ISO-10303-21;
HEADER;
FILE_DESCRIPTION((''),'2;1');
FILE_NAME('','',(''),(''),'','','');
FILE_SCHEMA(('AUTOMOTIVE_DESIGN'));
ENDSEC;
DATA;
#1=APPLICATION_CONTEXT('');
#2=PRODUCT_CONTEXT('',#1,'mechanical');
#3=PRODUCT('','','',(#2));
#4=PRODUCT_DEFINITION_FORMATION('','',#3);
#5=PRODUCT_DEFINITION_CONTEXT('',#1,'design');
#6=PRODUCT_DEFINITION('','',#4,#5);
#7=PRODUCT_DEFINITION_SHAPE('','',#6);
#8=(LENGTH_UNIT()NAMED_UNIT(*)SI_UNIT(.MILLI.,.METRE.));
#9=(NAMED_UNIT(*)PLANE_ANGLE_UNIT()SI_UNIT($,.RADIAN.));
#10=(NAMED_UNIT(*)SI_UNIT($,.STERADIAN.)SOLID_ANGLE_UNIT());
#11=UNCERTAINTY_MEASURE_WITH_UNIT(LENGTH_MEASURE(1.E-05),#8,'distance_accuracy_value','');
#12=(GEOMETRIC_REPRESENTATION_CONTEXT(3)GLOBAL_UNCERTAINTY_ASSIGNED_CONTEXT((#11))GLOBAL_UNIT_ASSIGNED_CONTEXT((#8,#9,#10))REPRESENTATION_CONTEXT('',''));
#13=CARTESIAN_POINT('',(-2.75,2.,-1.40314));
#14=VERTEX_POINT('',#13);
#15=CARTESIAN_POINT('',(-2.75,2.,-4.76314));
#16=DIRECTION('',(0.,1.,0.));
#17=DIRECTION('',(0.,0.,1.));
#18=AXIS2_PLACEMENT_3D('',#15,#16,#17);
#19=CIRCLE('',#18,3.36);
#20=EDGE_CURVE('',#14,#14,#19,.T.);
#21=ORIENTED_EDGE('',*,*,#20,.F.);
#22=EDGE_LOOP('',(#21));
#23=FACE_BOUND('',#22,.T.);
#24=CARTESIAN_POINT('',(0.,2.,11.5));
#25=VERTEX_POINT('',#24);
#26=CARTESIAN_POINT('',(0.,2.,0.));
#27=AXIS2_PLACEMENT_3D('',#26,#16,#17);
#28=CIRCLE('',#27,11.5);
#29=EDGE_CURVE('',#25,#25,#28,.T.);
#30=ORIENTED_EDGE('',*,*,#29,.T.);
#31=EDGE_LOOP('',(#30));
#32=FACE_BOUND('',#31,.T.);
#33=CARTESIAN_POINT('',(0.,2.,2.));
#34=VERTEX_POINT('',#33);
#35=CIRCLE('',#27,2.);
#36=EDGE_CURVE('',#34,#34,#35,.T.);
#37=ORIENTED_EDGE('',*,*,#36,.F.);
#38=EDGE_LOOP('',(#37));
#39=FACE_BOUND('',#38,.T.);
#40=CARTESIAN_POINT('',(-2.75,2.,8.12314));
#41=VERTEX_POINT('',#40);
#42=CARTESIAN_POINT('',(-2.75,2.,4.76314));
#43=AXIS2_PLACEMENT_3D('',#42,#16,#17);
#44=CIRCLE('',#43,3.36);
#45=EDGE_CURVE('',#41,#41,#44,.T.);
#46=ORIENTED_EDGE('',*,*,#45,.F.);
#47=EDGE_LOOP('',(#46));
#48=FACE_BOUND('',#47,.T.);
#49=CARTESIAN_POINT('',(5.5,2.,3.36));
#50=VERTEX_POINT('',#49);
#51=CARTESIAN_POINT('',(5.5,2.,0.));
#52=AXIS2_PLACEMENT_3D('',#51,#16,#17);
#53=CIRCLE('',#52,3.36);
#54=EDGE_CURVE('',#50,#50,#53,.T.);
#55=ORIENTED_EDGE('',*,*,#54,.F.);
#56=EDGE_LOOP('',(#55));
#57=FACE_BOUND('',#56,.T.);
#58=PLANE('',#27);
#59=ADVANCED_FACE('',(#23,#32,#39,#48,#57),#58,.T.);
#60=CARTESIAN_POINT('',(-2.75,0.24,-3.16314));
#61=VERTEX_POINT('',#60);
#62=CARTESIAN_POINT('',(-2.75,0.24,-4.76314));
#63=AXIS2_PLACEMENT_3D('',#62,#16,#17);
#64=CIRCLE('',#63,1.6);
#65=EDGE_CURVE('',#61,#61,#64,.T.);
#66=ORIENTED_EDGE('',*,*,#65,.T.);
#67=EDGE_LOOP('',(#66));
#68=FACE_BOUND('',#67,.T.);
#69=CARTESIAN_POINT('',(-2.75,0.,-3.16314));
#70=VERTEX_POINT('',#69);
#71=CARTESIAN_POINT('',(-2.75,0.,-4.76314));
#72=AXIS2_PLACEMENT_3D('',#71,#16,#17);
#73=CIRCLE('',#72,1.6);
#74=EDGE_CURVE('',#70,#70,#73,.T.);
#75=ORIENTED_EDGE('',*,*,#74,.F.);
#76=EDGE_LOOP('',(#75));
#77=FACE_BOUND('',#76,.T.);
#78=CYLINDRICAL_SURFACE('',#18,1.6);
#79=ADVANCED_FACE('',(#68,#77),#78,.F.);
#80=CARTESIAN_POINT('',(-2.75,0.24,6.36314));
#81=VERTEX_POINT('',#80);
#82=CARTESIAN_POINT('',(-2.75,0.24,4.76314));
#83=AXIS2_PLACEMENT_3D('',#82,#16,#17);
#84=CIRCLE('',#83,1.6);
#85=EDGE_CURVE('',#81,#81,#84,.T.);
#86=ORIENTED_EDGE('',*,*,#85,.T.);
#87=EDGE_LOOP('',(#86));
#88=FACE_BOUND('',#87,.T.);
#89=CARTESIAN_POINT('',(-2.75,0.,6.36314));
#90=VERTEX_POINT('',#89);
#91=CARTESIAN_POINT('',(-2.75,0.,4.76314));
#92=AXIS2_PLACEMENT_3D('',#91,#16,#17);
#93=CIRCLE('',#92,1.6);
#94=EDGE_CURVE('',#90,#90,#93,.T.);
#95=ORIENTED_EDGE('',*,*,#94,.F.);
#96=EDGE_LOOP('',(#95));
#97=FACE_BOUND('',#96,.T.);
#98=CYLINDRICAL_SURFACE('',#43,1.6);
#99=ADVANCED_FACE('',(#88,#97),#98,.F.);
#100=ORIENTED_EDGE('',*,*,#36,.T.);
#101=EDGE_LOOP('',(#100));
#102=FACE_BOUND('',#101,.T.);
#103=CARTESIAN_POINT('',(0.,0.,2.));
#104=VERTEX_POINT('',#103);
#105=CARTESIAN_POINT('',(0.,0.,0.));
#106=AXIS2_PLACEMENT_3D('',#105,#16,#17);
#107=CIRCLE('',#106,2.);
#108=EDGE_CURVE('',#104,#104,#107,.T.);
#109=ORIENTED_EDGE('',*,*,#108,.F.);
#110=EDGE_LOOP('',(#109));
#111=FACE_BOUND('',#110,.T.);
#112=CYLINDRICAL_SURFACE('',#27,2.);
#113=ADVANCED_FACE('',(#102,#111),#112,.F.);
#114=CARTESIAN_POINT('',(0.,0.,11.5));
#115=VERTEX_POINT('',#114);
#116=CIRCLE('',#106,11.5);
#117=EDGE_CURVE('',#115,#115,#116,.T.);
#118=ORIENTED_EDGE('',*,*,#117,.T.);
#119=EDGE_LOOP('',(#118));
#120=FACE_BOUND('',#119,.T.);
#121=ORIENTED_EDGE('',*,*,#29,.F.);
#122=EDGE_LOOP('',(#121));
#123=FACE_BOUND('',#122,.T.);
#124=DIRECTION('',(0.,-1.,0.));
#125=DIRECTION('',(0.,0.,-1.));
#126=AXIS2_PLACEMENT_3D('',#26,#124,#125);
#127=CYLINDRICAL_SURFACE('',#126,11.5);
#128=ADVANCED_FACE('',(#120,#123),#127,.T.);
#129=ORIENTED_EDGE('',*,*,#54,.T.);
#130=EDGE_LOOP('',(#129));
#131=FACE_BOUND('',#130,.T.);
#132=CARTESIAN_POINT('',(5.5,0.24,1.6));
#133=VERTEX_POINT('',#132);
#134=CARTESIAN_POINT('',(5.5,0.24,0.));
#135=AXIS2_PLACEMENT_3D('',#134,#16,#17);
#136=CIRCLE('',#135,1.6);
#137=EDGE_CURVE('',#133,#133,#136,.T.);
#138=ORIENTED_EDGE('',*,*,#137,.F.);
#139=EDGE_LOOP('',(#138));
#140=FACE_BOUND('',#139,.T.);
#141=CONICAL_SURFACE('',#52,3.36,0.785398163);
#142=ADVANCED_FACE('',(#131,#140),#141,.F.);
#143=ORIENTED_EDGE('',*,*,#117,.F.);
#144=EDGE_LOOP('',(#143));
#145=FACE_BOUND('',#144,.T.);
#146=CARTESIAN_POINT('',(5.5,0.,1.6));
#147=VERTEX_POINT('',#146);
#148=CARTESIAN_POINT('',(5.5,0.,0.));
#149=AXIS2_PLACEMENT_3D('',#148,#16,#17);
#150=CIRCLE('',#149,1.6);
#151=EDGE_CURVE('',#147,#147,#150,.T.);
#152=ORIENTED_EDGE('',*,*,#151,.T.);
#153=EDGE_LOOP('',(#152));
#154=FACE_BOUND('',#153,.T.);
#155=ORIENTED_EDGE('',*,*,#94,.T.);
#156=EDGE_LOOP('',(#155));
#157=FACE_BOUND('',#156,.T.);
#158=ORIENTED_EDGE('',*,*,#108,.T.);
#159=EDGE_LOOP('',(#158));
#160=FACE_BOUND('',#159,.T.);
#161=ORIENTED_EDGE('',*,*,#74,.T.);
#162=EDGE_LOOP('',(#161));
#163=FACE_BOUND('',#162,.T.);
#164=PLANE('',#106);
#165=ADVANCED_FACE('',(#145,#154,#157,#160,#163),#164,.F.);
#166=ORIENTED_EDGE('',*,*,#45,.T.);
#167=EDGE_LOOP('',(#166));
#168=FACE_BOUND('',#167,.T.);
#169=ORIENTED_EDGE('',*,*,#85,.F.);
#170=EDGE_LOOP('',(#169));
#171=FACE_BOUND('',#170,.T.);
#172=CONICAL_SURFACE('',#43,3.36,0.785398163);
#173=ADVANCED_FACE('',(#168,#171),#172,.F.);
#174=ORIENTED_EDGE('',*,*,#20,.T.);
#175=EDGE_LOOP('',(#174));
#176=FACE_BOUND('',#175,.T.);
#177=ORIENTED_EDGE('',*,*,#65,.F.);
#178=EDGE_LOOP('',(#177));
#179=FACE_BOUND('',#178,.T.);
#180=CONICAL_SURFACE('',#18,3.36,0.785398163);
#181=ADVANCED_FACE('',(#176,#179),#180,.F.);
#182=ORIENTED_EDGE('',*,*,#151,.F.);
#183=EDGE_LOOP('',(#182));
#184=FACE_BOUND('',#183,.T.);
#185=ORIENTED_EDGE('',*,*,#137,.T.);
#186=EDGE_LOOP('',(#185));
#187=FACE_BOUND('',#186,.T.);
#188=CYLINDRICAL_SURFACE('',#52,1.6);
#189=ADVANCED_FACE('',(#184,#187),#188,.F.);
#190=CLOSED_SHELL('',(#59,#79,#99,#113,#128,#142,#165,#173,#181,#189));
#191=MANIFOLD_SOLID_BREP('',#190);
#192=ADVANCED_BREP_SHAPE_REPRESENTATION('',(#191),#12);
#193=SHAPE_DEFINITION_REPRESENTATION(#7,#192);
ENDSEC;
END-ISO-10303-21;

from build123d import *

# Parameters (mm, degrees)
SKIZZE1_R                          = 11.5
AUFSATZ_LINEAR_AUSTRAGEN1_DEPTH    = 2
KREISMUSTER1_COUNT                 = 3
F_4_0_4_DURCHMESSER_BOHRUNG1_D     = 4
F_4_0_4_DURCHMESSER_BOHRUNG1_DEPTH = 2


with BuildPart() as part:
    # Skizze1 → Aufsatz-Linear austragen1 (new body)
    with BuildSketch(Plane(origin=(0, 0, 0), x_dir=(1, 0, 0), z_dir=(0, 1, 0))):
        Circle(SKIZZE1_R)
    extrude(amount=AUFSATZ_LINEAR_AUSTRAGEN1_DEPTH)

    # Skizze2 → Formsenkung für M3 Senkschraube mit Innensechskant1 (revolve, cut)
    with BuildSketch(Plane(origin=(5.5, 2, 0), x_dir=(0, 0, 1), z_dir=(1, 0, 0))):
        Polygon((0, 0), (0, 2.001), (1.6, 2.001), (1.6, 1.76), (3.36, 0), align=None)
    formsenkung_f_r_m3_senkschraube_mit_inne = revolve(axis=Axis((5.5, 8.35, 0), (0, -1, 0)), mode=Mode.SUBTRACT)

    # Kreismuster1: Formsenkung für M3 Senkschraube mit Innensechskant1 ×3 about axis
    kreismuster1_axis = Axis((0, 0, 0), (0, 1, 0))
    for i in range(1, KREISMUSTER1_COUNT):
        add(formsenkung_f_r_m3_senkschraube_mit_inne.rotate(kreismuster1_axis, i * 360 / KREISMUSTER1_COUNT), mode=Mode.SUBTRACT)

    # Ø4.0 (4) Durchmesser Bohrung1
    with Locations(Plane(origin=(0, 2, 0), x_dir=(1, 0, 0), z_dir=(0, 1, 0))):
        with Locations((0, 0)):
            Hole(F_4_0_4_DURCHMESSER_BOHRUNG1_D / 2, depth=F_4_0_4_DURCHMESSER_BOHRUNG1_DEPTH)


solid = part.part
